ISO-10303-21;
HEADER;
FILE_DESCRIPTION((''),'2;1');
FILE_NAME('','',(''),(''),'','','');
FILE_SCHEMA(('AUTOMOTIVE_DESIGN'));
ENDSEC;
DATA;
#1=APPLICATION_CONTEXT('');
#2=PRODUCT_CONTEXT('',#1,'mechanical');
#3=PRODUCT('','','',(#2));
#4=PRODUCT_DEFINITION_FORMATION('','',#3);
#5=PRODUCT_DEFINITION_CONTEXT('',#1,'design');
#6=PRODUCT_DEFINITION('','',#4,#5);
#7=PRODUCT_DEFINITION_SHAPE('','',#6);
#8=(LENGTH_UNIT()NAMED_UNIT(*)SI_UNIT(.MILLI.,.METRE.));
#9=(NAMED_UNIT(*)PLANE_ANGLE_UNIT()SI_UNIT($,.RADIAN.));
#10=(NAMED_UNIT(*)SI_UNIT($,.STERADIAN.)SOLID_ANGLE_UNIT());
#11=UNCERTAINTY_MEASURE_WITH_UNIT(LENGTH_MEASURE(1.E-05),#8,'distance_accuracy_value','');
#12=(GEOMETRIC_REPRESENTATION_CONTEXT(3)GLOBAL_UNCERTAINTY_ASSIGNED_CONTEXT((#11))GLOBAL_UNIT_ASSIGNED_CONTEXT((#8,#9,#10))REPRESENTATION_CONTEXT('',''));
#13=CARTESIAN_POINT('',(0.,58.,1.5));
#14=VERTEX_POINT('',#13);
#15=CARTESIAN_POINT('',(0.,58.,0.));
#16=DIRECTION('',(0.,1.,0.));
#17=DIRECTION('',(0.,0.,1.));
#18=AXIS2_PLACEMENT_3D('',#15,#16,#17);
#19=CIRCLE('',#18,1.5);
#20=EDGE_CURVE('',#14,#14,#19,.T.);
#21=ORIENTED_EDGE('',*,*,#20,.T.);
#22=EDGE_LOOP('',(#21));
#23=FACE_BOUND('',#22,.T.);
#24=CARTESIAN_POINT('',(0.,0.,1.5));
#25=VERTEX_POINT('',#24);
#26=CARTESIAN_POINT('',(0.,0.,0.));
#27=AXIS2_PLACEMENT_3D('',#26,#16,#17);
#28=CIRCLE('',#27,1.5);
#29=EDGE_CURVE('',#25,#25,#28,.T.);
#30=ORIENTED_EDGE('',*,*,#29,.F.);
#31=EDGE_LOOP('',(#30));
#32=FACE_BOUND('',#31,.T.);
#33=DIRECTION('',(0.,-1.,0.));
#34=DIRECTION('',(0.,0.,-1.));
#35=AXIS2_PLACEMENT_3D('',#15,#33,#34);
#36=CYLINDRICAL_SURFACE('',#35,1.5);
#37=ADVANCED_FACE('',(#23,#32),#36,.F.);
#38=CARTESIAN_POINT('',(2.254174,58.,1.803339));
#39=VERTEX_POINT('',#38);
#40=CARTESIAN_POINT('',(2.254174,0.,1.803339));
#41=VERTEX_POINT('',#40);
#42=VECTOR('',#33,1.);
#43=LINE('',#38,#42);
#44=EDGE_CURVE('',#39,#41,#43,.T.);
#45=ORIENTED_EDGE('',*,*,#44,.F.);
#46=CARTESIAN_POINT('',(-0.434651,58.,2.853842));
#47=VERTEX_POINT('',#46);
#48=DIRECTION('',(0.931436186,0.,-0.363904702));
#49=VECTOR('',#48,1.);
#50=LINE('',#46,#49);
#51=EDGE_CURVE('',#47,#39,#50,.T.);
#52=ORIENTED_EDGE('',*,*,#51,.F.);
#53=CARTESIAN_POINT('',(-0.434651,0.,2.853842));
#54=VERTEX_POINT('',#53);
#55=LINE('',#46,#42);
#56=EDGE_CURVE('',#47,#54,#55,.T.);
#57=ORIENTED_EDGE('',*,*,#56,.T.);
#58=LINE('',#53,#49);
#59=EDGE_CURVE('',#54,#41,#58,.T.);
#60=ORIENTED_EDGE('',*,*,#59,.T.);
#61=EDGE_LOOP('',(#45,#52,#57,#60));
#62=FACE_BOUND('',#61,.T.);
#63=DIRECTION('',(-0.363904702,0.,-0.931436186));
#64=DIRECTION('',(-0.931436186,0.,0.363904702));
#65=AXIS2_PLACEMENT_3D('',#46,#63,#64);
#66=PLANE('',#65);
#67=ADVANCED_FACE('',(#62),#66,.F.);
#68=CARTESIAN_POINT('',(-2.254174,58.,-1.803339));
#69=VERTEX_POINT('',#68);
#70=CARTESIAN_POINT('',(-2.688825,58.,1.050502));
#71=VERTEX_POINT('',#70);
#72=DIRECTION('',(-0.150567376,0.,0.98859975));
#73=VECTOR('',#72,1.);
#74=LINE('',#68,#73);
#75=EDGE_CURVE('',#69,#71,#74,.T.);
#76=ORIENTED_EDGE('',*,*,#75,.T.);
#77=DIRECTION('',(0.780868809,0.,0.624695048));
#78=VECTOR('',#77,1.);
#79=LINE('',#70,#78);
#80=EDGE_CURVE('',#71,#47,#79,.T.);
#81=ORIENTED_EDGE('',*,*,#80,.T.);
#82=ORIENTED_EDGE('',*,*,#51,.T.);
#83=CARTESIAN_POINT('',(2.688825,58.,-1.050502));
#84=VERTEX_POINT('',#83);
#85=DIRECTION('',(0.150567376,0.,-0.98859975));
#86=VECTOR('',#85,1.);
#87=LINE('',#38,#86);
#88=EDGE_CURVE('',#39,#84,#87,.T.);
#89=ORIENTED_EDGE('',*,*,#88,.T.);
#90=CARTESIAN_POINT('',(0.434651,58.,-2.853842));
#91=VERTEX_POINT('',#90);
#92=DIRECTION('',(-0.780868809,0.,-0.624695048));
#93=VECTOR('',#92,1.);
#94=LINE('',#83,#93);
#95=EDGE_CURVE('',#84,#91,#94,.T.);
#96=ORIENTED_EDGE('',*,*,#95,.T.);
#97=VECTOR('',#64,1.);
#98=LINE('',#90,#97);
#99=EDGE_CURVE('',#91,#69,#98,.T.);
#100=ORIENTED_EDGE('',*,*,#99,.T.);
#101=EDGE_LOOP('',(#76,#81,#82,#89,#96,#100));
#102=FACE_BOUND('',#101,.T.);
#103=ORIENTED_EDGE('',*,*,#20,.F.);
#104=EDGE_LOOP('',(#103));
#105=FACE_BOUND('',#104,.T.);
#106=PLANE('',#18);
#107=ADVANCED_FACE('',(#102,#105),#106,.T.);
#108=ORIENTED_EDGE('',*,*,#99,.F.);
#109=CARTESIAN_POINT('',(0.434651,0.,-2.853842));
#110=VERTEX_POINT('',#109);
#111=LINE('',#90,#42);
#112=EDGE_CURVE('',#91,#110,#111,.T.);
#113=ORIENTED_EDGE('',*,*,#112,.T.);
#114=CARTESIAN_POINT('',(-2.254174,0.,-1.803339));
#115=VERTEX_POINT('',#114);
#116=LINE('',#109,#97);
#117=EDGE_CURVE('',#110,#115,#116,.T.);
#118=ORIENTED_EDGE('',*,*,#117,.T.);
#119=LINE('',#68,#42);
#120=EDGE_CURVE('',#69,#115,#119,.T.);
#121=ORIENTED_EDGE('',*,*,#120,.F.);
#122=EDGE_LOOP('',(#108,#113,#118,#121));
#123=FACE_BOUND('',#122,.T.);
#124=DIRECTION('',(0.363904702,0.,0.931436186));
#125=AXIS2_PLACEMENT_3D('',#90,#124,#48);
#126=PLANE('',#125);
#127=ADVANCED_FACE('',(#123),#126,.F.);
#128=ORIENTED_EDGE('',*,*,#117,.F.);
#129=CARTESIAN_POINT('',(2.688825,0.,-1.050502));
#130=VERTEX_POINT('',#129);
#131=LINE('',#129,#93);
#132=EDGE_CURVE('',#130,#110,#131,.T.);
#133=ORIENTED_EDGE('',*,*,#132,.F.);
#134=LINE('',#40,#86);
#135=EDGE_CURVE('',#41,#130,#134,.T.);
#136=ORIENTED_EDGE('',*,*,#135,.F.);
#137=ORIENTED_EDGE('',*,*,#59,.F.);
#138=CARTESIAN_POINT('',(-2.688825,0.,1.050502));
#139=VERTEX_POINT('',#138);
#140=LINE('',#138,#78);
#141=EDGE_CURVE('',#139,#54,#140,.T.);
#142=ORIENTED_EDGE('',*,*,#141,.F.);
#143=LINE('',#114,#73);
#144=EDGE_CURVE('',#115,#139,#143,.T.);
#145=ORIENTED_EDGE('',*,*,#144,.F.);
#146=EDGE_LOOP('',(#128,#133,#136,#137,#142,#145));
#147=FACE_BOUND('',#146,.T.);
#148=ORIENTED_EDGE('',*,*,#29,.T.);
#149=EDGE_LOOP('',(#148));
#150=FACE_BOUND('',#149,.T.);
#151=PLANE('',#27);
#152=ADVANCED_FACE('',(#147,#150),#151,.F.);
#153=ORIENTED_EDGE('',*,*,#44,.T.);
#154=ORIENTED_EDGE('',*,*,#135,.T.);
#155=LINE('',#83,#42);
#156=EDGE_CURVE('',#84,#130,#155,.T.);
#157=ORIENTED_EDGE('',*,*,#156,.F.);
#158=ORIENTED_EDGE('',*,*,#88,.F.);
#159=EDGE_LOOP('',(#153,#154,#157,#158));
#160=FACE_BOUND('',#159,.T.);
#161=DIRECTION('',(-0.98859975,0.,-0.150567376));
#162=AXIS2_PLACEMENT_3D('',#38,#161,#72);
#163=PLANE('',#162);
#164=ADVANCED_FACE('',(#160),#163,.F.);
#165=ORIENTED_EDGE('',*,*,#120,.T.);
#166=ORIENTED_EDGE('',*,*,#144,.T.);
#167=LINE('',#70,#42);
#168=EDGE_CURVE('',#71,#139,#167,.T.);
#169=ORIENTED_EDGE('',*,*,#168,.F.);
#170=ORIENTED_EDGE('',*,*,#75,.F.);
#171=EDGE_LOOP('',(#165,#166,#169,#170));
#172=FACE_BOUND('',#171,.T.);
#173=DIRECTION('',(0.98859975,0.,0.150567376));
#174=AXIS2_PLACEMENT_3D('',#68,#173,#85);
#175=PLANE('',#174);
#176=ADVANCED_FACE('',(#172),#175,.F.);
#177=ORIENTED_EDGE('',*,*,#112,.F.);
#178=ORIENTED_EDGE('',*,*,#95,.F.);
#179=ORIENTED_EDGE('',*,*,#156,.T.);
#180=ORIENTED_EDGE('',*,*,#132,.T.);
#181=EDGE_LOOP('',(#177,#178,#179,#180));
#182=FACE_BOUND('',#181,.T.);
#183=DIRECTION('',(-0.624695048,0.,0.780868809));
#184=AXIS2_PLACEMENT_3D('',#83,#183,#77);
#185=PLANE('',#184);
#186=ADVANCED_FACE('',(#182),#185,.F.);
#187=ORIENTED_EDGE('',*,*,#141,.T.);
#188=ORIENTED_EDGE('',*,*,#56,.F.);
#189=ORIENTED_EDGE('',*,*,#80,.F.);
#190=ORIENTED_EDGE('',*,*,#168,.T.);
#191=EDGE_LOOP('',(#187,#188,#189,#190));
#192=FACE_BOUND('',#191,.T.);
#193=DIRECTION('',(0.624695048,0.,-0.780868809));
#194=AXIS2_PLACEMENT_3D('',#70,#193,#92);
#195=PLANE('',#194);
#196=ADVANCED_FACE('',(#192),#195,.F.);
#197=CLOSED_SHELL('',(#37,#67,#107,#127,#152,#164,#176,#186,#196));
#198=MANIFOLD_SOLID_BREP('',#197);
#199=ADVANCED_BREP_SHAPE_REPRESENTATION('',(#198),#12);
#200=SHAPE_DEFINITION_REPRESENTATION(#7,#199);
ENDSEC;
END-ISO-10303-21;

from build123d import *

# Parameters (mm, degrees)
SKETCH1_R           = 1.5
BOSS_EXTRUDE1_DEPTH = 58


with BuildPart() as part:
    # Sketch1 → Boss-Extrude1 (new body)
    with BuildSketch(Plane(origin=(0, 0, 0), x_dir=(1, 0, 0), z_dir=(0, 1, 0))):
        Polygon((2.254174087, -1.803339269), (2.688824662, 1.050502389), (0.434650576, 2.853841658), (-2.254174087, 1.803339269), (-2.688824662, -1.050502389), (-0.434650576, -2.853841658), align=None)
        Circle(SKETCH1_R, mode=Mode.SUBTRACT)
    extrude(amount=BOSS_EXTRUDE1_DEPTH)


solid = part.part
